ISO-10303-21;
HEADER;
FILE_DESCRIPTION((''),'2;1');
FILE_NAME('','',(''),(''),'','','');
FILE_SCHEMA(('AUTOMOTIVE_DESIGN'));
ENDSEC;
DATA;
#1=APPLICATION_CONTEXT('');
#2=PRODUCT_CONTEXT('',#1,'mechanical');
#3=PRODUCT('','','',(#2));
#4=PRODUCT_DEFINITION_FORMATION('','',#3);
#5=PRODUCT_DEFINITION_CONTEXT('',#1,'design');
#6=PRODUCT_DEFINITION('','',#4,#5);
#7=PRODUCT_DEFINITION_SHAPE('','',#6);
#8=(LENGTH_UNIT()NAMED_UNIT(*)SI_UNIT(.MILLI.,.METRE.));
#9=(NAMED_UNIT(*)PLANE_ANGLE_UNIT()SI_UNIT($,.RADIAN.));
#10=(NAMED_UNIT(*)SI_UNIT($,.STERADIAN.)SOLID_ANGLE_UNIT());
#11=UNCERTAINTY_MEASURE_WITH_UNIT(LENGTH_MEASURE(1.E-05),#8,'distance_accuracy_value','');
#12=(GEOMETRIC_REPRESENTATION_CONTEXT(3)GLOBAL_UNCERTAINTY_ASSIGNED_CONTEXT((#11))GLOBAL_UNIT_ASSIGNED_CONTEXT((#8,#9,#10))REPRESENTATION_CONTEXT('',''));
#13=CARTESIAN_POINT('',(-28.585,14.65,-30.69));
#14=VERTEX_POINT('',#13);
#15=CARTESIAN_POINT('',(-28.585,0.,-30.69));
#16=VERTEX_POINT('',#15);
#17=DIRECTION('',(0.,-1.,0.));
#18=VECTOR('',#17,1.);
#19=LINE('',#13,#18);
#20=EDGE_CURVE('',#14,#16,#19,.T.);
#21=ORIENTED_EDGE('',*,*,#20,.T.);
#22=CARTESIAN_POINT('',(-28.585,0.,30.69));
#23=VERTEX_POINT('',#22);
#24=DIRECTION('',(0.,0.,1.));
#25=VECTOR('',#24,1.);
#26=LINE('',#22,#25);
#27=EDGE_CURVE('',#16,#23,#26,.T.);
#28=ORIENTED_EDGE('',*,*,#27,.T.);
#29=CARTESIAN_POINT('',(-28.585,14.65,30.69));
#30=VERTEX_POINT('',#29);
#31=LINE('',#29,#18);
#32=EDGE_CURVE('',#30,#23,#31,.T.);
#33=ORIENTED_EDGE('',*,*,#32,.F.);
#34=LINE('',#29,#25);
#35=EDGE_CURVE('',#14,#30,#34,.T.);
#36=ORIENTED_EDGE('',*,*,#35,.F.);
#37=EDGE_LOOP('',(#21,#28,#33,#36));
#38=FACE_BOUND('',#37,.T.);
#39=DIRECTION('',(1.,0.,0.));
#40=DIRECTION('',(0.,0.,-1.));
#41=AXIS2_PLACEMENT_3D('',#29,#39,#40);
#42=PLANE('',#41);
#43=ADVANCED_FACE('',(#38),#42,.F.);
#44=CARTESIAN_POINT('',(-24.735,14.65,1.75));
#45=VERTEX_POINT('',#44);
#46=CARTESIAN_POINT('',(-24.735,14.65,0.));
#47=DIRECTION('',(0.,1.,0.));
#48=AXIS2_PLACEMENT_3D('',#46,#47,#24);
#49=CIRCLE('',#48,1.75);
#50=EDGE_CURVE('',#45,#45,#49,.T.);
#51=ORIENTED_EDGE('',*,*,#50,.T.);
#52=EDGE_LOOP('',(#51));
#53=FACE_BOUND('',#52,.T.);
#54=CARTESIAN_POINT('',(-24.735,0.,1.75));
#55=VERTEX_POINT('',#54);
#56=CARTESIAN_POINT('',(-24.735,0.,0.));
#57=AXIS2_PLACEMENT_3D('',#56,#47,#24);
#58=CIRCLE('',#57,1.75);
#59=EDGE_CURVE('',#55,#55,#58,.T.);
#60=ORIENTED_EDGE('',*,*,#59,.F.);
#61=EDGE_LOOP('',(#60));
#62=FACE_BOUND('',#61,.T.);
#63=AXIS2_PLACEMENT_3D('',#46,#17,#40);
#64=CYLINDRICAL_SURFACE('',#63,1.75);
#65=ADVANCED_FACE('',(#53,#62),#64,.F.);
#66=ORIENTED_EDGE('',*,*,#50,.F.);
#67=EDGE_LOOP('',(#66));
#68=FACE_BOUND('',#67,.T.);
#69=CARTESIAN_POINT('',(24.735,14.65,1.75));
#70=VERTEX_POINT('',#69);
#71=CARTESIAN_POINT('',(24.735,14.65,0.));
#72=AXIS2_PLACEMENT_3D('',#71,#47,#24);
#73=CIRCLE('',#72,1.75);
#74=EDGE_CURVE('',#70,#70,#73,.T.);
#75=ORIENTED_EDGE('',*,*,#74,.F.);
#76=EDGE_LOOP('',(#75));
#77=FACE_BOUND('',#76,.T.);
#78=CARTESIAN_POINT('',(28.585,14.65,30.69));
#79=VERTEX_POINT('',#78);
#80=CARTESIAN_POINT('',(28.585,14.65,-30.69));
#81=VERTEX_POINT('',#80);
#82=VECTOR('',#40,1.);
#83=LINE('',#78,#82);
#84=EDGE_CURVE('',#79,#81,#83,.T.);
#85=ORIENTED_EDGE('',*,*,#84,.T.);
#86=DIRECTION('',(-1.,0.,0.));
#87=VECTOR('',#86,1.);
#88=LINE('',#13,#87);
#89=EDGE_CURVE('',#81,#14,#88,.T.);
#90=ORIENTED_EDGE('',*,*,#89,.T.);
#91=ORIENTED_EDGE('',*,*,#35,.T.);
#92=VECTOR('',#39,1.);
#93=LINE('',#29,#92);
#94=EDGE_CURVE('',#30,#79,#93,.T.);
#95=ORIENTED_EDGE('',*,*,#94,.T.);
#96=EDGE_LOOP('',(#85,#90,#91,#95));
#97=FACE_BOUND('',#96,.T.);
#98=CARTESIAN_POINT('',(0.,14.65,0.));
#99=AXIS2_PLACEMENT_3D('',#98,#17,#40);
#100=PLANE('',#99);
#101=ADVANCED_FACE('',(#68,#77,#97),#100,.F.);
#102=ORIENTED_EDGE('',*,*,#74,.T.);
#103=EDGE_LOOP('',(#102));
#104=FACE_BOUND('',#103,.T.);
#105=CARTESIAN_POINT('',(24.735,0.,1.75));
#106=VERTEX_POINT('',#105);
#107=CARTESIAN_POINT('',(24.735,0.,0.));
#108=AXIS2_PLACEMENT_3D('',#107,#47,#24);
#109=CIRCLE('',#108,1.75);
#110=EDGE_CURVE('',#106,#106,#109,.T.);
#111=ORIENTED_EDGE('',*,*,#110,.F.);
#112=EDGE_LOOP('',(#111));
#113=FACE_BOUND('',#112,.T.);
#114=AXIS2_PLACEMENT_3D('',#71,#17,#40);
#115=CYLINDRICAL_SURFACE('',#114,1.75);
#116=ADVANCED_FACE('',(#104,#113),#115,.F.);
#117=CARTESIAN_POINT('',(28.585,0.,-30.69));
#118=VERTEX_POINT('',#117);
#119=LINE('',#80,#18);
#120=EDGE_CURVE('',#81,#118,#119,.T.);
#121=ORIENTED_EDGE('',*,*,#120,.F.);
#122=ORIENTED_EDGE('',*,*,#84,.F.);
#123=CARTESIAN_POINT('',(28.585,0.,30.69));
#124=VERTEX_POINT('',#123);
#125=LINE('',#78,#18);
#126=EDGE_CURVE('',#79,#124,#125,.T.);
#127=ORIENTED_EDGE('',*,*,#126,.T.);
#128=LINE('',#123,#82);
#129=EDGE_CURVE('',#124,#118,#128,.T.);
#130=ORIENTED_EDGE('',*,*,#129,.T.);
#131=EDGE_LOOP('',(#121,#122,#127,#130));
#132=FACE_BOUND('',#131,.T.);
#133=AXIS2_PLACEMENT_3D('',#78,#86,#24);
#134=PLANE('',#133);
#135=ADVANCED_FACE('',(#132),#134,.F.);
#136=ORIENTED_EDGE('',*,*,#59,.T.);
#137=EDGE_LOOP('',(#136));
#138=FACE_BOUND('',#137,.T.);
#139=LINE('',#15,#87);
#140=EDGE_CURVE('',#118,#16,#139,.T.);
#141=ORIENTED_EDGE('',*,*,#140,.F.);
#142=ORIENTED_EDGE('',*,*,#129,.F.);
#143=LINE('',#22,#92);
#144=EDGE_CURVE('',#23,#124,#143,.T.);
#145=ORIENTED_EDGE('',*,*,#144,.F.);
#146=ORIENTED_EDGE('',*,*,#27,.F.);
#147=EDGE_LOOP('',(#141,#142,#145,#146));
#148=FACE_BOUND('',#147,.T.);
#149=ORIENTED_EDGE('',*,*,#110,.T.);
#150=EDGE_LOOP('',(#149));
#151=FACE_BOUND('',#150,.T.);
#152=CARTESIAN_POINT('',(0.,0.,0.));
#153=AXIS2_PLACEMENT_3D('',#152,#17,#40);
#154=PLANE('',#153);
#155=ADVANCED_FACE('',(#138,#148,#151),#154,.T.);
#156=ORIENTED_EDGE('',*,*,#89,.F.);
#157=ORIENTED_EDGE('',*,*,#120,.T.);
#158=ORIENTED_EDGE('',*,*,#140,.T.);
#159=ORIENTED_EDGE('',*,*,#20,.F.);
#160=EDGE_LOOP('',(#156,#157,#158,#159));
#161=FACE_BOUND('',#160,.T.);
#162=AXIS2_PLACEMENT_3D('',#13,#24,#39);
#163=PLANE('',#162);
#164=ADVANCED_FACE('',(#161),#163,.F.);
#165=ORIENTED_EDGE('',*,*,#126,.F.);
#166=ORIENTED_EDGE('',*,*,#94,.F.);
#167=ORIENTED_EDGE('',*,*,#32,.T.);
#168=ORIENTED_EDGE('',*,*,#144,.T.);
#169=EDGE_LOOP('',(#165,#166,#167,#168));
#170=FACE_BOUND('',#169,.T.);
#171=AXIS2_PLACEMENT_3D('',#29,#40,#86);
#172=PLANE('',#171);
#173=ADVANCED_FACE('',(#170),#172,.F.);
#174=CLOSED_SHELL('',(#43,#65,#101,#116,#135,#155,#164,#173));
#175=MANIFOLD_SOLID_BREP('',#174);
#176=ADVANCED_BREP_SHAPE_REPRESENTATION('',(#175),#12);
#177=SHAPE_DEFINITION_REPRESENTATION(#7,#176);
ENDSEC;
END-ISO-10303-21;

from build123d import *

# Parameters (mm, degrees)
SKETCH1_W           = 57.17
SKETCH1_H           = 61.38
SKETCH1_R           = 1.75
BOSS_EXTRUDE1_DEPTH = 14.65


with BuildPart() as part:
    # Sketch1 → Boss-Extrude1 (new body)
    with BuildSketch(Plane(origin=(0, 0, 0), x_dir=(1, 0, 0), z_dir=(0, 1, 0))):
        Rectangle(SKETCH1_W, SKETCH1_H)
        with Locations(Location((-24.735, 0, 0), (0, 0, 270))):
            Circle(SKETCH1_R, mode=Mode.SUBTRACT)
        with Locations(Location((24.735, 0, 0), (0, 0, 270))):
            Circle(SKETCH1_R, mode=Mode.SUBTRACT)
    extrude(amount=BOSS_EXTRUDE1_DEPTH)


solid = part.part
